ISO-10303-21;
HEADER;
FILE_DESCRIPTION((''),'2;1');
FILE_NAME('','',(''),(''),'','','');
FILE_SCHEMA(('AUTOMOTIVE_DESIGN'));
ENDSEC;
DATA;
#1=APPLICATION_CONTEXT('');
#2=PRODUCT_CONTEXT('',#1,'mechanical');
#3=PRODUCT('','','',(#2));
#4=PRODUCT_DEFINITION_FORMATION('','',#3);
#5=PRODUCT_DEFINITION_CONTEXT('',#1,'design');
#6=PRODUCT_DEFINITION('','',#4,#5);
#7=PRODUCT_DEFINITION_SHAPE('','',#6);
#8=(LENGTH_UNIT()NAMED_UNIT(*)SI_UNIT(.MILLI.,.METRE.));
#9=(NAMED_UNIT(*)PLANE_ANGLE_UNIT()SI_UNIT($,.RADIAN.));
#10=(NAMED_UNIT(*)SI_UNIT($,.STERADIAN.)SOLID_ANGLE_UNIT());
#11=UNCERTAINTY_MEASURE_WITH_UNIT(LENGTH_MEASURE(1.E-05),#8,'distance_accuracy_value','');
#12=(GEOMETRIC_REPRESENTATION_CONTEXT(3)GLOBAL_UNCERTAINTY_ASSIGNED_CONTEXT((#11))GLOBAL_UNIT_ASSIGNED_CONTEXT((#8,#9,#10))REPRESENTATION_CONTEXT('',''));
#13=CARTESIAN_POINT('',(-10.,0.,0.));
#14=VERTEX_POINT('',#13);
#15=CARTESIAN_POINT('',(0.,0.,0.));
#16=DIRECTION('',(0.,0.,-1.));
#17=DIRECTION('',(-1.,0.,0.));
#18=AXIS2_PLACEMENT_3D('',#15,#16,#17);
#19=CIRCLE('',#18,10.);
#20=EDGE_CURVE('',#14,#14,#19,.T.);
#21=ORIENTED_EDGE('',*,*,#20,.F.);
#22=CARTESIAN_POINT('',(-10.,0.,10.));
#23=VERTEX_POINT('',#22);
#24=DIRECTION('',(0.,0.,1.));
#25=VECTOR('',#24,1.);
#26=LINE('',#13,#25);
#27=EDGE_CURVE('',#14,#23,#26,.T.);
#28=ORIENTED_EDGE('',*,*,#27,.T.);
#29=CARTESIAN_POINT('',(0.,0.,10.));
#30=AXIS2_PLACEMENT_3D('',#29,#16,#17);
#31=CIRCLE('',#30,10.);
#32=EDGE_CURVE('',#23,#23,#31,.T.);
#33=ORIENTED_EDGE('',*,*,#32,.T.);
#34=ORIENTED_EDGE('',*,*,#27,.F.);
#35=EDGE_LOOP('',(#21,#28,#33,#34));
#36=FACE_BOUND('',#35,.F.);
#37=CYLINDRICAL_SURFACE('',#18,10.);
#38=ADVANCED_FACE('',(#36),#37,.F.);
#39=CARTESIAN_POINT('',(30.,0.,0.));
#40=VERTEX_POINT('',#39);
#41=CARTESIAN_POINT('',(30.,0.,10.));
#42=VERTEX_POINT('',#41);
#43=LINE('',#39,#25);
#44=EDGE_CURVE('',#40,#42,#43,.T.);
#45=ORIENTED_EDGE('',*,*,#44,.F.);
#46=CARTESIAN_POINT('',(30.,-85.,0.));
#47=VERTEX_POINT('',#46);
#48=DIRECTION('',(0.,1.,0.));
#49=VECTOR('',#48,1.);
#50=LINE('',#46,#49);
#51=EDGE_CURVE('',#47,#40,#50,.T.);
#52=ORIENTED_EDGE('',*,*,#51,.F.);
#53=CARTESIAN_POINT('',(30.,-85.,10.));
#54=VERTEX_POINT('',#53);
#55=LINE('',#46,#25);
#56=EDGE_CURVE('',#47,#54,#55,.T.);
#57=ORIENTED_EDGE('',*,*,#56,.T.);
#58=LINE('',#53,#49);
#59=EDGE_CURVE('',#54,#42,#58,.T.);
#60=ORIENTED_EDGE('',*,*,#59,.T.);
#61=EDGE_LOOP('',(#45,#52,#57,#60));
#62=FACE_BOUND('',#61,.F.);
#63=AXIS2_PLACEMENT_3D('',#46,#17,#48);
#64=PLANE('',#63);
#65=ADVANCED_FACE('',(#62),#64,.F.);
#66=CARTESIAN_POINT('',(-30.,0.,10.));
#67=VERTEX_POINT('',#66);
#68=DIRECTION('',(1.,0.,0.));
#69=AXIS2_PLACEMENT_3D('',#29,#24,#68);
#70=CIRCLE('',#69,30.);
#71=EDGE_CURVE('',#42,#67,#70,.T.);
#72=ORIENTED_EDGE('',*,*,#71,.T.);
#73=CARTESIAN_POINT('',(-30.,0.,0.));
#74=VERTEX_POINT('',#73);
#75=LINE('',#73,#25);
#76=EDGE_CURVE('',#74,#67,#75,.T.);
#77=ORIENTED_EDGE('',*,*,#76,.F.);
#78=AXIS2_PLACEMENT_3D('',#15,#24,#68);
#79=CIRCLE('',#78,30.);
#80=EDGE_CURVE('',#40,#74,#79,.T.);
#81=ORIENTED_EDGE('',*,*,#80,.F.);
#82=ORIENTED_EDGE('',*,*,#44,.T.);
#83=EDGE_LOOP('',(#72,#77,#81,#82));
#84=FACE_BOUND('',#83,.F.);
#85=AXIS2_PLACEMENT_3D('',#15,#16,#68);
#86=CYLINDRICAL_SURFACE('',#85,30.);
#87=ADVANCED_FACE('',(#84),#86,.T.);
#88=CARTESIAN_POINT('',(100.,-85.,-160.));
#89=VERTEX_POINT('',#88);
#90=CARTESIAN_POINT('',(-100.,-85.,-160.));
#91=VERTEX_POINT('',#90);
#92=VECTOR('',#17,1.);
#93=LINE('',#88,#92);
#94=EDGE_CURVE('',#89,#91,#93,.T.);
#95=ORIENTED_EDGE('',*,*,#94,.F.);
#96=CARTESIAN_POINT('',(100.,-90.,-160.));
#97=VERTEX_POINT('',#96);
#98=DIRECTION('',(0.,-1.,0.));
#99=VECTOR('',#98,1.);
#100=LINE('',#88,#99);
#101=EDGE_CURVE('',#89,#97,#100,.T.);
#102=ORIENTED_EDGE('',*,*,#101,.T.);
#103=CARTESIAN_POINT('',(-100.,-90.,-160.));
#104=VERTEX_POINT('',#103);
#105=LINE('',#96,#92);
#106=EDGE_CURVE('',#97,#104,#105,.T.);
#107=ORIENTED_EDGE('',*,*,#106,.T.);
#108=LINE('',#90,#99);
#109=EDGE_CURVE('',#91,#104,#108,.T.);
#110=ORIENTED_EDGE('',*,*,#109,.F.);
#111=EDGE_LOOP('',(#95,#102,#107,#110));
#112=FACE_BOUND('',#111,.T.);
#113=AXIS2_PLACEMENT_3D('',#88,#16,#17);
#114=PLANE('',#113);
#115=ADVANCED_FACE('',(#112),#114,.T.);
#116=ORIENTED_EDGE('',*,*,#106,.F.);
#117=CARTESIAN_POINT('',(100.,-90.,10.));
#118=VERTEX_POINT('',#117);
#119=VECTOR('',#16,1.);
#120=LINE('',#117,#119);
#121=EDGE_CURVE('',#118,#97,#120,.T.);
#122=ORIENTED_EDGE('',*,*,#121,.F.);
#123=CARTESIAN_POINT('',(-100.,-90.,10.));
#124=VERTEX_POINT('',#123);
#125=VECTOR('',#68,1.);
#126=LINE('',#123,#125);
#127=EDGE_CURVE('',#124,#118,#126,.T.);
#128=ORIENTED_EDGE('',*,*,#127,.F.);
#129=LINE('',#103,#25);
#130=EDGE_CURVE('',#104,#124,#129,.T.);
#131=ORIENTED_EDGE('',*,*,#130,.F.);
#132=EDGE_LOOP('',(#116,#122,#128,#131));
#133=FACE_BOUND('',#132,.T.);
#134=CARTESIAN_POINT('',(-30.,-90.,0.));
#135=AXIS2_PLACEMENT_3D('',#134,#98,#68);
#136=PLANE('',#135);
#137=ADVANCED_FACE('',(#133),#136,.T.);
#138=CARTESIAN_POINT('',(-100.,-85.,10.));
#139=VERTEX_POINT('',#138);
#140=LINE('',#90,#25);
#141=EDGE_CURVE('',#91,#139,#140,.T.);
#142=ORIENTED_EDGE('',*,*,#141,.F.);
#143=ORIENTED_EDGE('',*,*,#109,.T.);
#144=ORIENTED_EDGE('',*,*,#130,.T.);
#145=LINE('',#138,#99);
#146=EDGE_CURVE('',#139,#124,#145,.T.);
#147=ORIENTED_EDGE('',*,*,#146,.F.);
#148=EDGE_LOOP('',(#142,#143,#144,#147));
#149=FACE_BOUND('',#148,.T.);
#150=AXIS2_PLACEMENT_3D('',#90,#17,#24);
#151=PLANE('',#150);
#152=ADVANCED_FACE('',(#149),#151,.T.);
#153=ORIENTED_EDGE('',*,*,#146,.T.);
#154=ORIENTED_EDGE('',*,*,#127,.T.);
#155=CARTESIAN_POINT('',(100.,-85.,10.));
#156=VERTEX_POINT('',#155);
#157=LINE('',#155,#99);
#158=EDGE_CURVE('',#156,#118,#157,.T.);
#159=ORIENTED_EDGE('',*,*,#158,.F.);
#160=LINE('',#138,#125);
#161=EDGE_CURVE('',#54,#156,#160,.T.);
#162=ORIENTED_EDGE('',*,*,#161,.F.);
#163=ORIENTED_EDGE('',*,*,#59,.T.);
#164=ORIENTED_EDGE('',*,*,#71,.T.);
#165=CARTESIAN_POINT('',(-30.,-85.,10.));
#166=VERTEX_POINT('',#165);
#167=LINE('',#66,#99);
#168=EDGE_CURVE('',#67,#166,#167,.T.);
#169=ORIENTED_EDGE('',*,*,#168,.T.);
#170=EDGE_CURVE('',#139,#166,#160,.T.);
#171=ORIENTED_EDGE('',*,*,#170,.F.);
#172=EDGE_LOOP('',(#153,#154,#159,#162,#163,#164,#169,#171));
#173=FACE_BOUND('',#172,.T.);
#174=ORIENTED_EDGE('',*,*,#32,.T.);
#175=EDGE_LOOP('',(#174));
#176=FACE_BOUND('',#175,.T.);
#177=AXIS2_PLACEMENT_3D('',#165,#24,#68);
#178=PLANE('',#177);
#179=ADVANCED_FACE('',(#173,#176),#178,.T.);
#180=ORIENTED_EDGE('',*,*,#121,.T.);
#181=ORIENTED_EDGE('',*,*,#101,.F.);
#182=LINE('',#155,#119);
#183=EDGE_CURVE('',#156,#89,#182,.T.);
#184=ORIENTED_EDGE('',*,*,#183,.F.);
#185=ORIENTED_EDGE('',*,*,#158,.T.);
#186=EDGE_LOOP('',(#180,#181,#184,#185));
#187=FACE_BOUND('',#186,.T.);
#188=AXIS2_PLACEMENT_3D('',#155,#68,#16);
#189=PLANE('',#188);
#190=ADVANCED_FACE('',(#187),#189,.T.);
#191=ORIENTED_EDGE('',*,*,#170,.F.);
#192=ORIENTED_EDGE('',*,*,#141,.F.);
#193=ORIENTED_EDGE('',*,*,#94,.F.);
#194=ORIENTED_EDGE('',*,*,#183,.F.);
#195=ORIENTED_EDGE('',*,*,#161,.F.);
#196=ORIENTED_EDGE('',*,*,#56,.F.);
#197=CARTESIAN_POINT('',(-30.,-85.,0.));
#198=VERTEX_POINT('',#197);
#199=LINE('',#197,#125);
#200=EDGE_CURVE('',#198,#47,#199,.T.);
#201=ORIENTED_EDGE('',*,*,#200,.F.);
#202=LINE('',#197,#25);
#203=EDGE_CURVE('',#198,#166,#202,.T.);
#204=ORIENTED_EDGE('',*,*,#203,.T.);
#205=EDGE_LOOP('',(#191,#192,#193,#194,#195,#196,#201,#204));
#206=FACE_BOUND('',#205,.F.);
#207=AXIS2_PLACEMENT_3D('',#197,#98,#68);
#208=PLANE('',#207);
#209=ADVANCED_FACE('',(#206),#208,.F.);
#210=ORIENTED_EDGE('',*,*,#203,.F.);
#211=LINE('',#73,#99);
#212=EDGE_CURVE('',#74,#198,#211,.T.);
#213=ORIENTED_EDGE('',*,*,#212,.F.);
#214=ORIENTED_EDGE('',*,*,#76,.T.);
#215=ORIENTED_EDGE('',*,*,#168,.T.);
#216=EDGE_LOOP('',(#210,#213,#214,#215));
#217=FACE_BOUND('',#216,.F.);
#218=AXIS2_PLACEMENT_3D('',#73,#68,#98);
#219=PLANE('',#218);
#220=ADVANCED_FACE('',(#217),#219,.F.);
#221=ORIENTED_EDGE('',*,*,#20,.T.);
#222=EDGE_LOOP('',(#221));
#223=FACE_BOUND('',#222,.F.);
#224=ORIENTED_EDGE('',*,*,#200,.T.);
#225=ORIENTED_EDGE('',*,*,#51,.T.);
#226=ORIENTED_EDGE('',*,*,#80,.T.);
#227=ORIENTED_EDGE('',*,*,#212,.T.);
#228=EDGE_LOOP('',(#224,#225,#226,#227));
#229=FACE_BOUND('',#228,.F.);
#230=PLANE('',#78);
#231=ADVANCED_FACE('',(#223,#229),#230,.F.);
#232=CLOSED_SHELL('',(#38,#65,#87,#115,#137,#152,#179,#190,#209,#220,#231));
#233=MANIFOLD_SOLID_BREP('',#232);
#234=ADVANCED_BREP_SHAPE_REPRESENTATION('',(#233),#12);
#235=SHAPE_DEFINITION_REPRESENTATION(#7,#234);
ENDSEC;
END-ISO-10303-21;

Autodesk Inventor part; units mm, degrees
ref_plane "YZ Plane" through (0, 0, 0) normal (1, 0, 0) x (0, 1, 0)
ref_plane "XZ Plane" through (0, 0, 0) normal (0, 1, 0) x (-1, 0, 0)
ref_plane "XY Plane" through (0, 0, 0) normal (0, 0, 1) x (1, 0, 0)
sketch "草圖1" plane through (0, 0, 0) normal (0, 0, 1) x (1, 0, 0)
  line L0 (0, 0) -> (0, -85) construction
  line L1 (-30, 0) -> (-30, -85)
  line L2 (30, -85) -> (30, 0)
  arc A0 (30, 0) -> (-30, 0) centre (0, 0) ccw
  arc A1 (-30, -85) -> (30, -85) centre (0, -85) ccw construction
  line L3 (-30, -85) -> (30, -85)
  point P0 (0, -42.5)
  dimension "d0" = 30
  dimension "d1" = 85
extrude "擠出1" add sketch "草圖1" along normal blind 10
sketch "草圖2" plane through (0, 0, 0) normal (0, 0, -1) x (-1, 0, 0)
  arc A0 (30, 0) -> (-30, 0) centre (0, 0) ccw projected
  circle A1 centre (0, 0) radius 10
  dimension "d4" = 20
extrude "擠出2" cut sketch "草圖2" against normal blind 10
sketch "草圖3" plane through (-30, -85, 0) normal (0, -1, 0) x (1, 0, 0)
  line L0 (0, 10) -> (60, 10) projected
  line L1 (-70, 10) -> (130, 10)
  line L2 (130, 10) -> (130, -160)
  line L3 (130, -160) -> (-70, -160)
  line L4 (-70, -160) -> (-70, 10)
  point P0 (30, 0)
  dimension "d7" = 100
  dimension "d8" = 200
  dimension "d9" = 170
extrude "擠出3" add sketch "草圖3" along normal blind 5
